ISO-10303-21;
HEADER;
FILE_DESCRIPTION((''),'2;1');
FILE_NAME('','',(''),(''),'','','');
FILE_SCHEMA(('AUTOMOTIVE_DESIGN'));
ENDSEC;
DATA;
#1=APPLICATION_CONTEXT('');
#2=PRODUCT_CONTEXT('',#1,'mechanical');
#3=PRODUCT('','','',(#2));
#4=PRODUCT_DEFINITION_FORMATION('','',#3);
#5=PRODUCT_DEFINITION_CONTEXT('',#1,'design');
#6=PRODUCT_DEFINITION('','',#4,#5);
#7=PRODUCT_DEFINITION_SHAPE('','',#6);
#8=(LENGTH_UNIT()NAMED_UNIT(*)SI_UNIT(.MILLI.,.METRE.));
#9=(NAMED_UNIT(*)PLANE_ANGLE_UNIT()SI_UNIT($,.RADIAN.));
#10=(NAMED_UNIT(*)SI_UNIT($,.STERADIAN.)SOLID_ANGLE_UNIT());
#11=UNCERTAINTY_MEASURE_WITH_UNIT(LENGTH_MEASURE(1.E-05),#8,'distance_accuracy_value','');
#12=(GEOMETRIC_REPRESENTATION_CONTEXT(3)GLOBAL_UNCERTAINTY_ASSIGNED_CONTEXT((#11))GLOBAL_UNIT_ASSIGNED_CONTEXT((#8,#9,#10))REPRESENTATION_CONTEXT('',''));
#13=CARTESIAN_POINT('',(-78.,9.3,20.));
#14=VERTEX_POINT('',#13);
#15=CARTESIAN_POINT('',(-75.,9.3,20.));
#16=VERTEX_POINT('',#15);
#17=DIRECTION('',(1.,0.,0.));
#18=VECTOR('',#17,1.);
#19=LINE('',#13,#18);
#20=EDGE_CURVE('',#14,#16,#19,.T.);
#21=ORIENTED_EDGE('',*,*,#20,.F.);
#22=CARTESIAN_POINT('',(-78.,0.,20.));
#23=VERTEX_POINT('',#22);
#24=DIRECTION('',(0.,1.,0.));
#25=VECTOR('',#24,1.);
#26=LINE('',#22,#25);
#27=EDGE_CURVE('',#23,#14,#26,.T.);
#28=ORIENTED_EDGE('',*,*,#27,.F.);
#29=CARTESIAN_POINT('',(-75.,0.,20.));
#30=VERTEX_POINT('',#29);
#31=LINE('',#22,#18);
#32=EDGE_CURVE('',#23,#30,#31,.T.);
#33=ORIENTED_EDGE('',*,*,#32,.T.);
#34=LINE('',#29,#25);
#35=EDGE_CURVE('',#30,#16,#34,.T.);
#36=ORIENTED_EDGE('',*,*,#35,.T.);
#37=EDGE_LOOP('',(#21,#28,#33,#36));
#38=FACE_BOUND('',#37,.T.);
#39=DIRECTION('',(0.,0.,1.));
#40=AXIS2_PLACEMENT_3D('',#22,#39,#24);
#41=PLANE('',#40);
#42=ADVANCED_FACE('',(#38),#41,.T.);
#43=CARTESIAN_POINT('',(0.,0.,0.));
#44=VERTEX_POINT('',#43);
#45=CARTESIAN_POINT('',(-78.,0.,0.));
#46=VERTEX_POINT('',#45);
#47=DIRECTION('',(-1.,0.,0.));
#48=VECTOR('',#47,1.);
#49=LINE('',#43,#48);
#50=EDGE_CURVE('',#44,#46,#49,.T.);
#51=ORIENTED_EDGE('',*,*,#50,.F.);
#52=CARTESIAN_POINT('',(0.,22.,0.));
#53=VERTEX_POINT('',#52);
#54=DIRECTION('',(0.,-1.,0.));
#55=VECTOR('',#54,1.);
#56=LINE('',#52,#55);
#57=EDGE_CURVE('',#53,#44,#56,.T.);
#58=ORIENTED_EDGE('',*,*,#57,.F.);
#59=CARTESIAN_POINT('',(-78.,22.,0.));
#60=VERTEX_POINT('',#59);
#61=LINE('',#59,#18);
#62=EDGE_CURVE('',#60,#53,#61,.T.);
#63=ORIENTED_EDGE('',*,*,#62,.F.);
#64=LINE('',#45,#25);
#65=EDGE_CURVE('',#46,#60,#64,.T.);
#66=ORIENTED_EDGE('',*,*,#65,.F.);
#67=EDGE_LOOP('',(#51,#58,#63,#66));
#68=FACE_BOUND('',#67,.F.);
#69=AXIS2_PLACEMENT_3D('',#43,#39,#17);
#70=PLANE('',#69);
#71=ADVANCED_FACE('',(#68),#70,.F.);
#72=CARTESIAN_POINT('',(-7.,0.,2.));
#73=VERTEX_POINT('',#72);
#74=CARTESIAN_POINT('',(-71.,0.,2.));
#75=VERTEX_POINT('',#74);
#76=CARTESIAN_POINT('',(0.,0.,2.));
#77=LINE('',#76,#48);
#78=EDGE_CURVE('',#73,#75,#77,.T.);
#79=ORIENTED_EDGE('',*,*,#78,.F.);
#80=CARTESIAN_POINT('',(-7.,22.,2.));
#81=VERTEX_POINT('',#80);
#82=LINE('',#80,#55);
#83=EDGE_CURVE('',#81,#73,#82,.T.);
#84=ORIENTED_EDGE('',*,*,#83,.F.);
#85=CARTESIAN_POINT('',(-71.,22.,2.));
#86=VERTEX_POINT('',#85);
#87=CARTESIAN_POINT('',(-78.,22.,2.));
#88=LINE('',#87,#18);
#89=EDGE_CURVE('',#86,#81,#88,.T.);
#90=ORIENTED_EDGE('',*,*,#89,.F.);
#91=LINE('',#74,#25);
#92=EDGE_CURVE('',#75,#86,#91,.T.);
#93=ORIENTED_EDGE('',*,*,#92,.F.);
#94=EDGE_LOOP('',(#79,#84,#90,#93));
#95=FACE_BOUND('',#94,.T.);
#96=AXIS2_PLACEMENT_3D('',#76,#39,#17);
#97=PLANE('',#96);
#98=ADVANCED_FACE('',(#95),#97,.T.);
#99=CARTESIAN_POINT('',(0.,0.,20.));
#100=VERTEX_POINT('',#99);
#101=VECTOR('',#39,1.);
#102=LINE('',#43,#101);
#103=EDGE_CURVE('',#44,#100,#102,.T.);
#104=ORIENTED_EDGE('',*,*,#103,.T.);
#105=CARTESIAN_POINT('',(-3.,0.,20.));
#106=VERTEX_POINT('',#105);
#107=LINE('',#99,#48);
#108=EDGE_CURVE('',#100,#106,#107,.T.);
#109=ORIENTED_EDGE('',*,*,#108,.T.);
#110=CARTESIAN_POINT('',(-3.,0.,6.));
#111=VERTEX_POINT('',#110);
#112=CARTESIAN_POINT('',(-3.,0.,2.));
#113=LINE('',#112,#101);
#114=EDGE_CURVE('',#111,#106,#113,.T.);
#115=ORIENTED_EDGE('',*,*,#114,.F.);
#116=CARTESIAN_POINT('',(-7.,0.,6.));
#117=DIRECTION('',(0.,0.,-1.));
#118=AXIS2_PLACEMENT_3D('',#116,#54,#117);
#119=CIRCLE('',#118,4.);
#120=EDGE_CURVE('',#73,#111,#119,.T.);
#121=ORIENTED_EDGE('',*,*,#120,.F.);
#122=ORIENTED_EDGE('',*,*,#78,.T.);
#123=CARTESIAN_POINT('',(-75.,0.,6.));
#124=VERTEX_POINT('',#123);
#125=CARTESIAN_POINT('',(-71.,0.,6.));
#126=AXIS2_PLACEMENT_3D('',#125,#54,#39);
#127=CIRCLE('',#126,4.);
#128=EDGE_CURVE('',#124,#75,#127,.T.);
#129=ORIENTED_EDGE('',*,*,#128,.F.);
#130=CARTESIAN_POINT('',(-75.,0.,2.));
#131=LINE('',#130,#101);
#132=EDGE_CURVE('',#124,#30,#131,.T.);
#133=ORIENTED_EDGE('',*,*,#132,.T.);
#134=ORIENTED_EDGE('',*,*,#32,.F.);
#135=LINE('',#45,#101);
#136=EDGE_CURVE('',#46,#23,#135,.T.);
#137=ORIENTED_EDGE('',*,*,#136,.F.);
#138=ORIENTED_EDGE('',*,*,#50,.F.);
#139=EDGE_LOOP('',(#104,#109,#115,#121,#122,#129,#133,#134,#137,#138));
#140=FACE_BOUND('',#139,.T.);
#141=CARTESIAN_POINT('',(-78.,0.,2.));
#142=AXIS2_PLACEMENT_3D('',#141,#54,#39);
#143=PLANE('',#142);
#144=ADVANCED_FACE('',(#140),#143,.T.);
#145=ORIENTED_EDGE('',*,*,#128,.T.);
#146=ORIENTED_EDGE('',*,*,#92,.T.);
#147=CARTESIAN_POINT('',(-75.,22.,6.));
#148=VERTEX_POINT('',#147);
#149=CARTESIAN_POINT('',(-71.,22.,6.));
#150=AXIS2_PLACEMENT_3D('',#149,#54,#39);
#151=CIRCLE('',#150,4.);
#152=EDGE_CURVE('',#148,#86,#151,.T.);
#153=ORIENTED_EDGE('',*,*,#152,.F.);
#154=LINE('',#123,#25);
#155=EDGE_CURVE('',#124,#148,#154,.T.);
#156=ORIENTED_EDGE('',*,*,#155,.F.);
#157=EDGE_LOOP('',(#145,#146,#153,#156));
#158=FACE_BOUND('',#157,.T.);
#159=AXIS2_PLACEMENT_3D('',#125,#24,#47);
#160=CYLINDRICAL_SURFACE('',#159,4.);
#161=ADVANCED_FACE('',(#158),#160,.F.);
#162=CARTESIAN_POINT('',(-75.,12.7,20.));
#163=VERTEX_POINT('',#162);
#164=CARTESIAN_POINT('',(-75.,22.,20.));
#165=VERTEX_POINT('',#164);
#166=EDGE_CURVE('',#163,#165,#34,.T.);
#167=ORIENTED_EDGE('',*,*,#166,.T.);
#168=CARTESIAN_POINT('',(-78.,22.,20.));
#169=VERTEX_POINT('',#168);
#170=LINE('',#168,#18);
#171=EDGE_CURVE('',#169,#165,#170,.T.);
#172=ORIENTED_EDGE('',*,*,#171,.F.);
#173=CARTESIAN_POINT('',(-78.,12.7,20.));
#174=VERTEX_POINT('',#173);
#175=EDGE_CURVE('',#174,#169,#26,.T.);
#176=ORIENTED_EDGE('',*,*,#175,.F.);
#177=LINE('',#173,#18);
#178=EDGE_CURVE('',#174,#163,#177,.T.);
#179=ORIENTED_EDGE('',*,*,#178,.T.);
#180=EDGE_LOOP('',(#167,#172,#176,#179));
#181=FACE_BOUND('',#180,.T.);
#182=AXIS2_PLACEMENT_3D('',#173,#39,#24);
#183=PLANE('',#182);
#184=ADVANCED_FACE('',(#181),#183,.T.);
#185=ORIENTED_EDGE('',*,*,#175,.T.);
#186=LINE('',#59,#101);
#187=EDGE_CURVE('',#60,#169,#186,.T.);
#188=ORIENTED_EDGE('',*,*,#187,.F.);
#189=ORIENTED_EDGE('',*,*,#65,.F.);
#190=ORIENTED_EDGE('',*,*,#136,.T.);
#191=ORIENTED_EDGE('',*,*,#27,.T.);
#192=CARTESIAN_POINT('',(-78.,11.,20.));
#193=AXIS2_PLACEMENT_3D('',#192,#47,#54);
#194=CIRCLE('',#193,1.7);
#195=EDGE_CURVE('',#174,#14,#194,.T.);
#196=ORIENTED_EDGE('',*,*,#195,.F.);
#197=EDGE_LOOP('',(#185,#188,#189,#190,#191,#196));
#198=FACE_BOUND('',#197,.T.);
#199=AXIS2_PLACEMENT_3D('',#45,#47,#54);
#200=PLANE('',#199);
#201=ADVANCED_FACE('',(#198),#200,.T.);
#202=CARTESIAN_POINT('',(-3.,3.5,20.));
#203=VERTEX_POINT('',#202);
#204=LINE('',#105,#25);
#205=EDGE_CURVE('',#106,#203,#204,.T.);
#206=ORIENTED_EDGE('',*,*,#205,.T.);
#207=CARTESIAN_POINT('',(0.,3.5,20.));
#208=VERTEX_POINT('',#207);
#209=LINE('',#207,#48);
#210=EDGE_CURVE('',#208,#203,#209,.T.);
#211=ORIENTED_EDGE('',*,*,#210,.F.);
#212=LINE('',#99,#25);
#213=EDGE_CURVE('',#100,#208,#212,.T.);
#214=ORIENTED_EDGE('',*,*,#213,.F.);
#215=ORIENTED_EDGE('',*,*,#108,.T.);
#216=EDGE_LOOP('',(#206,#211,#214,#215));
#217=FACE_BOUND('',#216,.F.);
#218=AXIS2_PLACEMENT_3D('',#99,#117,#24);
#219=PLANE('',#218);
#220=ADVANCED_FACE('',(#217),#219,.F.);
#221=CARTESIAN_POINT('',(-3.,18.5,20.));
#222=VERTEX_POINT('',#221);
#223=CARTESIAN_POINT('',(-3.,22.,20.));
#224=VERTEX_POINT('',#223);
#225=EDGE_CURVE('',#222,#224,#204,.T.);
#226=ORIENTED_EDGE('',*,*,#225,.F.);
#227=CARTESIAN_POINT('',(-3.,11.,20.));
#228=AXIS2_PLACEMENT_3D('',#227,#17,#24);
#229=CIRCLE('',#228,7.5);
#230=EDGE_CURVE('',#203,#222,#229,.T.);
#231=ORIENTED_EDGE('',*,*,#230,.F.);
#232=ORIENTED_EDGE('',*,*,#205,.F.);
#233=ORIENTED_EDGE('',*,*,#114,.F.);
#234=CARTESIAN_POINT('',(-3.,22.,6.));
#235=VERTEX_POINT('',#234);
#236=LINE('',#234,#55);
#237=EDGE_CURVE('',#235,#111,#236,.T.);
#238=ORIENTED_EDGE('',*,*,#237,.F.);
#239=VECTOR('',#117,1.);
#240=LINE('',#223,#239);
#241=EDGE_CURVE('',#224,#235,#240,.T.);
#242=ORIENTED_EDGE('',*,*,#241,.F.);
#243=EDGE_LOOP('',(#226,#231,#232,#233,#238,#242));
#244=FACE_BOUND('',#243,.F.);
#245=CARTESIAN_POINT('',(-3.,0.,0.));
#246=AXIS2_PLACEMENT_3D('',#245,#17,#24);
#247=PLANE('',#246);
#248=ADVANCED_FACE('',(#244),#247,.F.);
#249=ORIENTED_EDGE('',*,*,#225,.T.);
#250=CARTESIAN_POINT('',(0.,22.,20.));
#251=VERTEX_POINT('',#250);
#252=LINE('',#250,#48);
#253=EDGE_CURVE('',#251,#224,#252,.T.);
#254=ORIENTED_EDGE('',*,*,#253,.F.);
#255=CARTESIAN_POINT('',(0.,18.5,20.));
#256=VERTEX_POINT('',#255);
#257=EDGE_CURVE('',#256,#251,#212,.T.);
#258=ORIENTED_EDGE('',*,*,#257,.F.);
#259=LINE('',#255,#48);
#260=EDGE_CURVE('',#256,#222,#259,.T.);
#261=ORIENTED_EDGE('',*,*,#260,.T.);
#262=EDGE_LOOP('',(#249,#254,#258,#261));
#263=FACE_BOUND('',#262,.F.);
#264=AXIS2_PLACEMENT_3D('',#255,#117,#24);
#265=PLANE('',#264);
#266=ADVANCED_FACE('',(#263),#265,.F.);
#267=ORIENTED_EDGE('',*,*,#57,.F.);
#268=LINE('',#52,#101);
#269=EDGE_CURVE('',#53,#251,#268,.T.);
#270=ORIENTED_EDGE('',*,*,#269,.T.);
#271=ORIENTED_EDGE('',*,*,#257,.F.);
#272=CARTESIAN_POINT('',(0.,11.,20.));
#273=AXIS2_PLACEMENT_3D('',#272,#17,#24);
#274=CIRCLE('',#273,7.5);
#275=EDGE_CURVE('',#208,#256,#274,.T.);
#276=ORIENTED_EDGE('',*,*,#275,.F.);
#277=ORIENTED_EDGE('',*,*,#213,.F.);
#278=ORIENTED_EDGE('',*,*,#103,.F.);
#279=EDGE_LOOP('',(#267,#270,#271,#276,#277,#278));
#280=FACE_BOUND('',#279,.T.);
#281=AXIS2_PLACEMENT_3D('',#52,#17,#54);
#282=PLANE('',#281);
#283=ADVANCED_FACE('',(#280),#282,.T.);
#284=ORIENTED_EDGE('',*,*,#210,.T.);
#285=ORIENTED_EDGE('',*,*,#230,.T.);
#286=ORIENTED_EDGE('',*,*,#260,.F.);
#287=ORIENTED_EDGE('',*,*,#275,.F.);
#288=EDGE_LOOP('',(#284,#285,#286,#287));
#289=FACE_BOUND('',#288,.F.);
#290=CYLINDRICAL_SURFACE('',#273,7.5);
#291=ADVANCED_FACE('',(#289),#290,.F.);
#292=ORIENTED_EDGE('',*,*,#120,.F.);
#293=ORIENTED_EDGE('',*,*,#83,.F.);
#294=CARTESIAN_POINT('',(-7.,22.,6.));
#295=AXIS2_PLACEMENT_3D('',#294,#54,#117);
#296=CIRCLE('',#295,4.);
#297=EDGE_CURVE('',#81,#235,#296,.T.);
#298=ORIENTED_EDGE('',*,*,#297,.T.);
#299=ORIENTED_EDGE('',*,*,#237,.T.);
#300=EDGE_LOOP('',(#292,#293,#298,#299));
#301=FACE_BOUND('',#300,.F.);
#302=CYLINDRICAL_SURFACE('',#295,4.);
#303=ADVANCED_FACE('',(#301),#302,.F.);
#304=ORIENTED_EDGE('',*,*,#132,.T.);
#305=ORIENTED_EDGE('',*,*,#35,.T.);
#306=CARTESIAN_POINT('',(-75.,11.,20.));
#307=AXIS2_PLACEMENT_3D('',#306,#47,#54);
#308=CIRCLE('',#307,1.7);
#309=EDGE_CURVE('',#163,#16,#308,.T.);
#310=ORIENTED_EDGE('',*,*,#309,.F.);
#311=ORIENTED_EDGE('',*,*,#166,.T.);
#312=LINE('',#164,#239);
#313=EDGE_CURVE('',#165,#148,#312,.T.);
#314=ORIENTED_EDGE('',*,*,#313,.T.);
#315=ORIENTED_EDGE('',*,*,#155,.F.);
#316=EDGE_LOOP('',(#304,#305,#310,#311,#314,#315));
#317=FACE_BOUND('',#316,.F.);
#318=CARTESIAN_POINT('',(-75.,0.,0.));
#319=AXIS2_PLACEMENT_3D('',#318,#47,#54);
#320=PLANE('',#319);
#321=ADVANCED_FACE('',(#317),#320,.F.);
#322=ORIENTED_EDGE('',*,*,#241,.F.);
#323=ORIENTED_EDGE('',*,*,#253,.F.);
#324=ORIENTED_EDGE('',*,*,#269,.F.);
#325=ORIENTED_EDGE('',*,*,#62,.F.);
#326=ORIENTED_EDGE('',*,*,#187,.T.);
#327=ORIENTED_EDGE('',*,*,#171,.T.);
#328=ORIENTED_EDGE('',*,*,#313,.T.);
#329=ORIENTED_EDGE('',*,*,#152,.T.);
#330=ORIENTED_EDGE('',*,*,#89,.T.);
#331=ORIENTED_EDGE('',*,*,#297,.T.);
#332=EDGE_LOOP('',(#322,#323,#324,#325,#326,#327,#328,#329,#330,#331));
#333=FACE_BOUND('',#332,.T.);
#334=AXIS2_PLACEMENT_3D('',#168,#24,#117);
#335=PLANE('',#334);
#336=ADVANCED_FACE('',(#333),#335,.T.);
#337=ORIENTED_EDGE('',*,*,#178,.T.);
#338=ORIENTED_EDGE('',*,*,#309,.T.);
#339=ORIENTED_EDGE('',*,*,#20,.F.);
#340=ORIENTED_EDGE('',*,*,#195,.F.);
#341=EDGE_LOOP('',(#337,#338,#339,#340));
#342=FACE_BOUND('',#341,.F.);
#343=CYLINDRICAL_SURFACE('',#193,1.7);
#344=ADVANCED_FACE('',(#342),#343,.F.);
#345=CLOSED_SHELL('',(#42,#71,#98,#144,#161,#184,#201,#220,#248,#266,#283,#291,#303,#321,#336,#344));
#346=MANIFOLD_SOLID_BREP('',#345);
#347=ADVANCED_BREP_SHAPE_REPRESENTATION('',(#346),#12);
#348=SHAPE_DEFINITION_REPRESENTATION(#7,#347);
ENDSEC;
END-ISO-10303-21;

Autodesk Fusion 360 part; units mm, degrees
sketch "Sketch1" plane through (0, 0, 0) normal (0, 0, 1) x (1, 0, 0)
  line L0 (0, 0) -> (-78, 0)
  line L1 (-78, 0) -> (-78, 22)
  line L2 (-78, 22) -> (0, 22)
  line L3 (0, 22) -> (0, 0)
  dimension "d1" = 78
  dimension "d2" = 22
extrude "Extrude1" add sketch "Sketch1" along normal blind 2
sketch "Sketch2" plane through (0, 0, 0) normal (1, 0, 0) x (0, 1, 0)
  line L0 (0, 0) -> (22, 0)
  line L1 (22, 0) -> (22, 2)
  line L2 (22, 2) -> (0, 2)
  line L3 (0, 2) -> (0, 0)
  line L4 (0, 2) -> (0, 20)
  line L5 (0, 20) -> (22, 20)
  line L6 (22, 20) -> (22, 2)
  circle A0 centre (11, 20) radius 7.5
  dimension "d8" = 18
  dimension "d9" = 15
extrude "Extrude2" add sketch "Sketch2" against normal blind 3 contours L2 L4 L5 L6 A0
sketch "Sketch3" plane through (-78, 0, 0) normal (-1, 0, 0) x (0, -1, 0)
  line L0 (-22, 0) -> (0, 0)
  line L1 (0, 0) -> (0, 2)
  line L2 (0, 2) -> (-22, 2)
  line L3 (-22, 2) -> (-22, 0)
  line L4 (0, 0) -> (-22, 0)
  line L5 (-22, 0) -> (-22, 2)
  line L6 (-22, 2) -> (0, 2)
  line L7 (0, 2) -> (0, 0)
  line L8 (0, 2) -> (0, 20)
  line L9 (0, 20) -> (-22, 20)
  line L10 (-22, 20) -> (-22, 2)
  circle A0 centre (-11, 20) radius 1.7
  dimension "d12" = 3.4
extrude "Extrude3" add sketch "Sketch3" against normal blind 3 contours L2 L6 L8 L9 L10 A0
fillet "Fillet1" radius 4 2 edges at (-75, 11, 2) (-3, 11, 2)
equation "d1 = 81 mm - 3 mm"
